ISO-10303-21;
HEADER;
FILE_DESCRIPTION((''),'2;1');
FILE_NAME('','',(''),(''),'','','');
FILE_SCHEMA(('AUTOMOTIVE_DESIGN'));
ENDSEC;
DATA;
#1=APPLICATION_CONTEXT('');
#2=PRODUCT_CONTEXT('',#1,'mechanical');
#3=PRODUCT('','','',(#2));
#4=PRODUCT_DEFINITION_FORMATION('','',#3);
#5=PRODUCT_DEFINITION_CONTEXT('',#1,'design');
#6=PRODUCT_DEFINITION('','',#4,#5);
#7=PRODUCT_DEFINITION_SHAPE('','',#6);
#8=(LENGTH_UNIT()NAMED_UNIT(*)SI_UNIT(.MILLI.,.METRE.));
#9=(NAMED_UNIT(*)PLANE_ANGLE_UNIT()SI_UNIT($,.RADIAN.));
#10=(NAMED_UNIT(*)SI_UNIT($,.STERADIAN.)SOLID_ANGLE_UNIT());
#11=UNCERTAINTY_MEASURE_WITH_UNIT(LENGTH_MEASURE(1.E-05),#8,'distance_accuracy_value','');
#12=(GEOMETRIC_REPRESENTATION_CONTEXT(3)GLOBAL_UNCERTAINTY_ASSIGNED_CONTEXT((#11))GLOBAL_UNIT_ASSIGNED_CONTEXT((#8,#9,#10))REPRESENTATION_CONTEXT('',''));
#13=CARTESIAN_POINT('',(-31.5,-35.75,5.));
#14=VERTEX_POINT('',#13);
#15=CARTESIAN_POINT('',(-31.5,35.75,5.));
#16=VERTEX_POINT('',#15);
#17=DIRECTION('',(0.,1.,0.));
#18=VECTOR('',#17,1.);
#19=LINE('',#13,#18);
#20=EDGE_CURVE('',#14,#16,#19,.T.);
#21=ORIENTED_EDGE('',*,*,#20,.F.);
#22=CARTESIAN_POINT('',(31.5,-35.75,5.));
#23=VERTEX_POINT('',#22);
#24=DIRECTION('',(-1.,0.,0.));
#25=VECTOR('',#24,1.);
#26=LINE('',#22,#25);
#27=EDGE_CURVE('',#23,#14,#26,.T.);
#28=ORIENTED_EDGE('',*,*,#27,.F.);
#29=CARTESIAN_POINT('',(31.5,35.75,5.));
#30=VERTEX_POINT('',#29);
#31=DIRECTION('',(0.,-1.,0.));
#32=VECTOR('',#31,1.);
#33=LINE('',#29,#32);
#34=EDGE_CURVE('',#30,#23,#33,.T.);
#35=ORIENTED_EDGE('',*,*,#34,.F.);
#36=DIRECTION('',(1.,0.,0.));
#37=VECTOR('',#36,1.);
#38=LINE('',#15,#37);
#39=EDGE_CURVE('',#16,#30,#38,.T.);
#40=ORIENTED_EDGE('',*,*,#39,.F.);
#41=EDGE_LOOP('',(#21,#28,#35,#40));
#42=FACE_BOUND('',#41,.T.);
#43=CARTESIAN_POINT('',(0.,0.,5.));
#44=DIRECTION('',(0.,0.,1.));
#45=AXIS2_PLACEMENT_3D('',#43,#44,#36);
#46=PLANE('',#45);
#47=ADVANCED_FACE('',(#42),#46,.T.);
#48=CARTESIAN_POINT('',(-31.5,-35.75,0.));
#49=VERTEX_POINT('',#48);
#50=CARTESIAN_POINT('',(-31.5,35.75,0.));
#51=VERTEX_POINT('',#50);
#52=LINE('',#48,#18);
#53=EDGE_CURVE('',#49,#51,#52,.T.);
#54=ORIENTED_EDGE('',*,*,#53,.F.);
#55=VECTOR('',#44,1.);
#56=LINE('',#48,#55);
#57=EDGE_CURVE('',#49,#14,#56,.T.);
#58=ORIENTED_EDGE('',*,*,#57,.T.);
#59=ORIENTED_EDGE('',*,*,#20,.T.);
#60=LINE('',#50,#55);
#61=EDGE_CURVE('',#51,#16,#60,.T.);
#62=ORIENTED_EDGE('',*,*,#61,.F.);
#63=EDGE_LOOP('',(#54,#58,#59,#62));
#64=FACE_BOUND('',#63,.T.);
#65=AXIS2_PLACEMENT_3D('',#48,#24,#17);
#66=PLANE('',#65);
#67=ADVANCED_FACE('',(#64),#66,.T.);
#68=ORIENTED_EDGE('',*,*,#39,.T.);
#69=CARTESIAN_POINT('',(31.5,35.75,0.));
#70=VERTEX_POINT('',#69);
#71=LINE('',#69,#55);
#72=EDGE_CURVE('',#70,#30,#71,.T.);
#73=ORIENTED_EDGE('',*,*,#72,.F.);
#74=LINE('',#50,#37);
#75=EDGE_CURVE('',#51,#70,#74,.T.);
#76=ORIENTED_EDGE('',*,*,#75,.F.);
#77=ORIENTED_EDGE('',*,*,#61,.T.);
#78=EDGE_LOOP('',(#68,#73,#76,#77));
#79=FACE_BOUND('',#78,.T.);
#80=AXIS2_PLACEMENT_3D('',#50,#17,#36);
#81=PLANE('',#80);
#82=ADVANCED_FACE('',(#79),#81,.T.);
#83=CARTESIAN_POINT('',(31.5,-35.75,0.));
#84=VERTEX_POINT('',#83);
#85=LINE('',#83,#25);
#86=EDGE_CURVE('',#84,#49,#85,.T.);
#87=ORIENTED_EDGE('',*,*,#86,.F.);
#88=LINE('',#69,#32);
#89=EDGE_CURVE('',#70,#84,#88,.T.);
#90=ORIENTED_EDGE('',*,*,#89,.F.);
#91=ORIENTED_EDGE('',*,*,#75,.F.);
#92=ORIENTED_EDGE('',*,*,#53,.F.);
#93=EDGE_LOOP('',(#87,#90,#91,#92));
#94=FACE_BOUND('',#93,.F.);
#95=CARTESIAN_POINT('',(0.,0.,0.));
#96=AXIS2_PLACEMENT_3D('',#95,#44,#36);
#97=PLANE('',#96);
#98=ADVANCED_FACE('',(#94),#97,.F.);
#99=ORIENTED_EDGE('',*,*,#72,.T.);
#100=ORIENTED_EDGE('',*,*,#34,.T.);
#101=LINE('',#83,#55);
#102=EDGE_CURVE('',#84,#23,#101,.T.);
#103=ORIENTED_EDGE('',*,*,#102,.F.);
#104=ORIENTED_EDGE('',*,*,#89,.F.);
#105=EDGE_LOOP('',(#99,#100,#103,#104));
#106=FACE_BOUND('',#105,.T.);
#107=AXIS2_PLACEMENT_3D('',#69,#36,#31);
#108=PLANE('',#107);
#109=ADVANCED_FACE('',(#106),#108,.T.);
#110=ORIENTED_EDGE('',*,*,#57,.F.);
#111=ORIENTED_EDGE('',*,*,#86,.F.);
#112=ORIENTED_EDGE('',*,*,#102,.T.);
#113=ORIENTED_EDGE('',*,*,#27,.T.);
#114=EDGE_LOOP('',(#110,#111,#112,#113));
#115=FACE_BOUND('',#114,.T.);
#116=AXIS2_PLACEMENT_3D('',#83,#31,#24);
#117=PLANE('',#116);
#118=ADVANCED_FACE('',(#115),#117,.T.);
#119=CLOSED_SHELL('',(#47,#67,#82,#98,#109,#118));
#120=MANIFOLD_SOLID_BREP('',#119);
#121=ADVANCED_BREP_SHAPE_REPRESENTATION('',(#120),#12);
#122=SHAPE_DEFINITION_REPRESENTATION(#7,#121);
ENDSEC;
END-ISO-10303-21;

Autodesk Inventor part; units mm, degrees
ref_plane "YZ Plane" through (0, 0, 0) normal (1, 0, 0) x (0, 1, 0)
ref_plane "XZ Plane" through (0, 0, 0) normal (0, 1, 0) x (-1, 0, 0)
ref_plane "XY Plane" through (0, 0, 0) normal (0, 0, 1) x (1, 0, 0)
sketch "草图1" plane through (0, 0, 0) normal (0, 0, 1) x (1, 0, 0)
  line L0 (31.5, -35.75) -> (-31.5, -35.75)
  line L1 (-31.5, -35.75) -> (-31.5, 35.75)
  line L2 (-31.5, 35.75) -> (31.5, 35.75)
  line L3 (31.5, 35.75) -> (31.5, -35.75)
  line L4 (31.5, -35.75) -> (-31.5, 35.75) construction
  line L5 (-31.5, -35.75) -> (31.5, 35.75) construction
  point P0 (0, 0)
  dimension "d0" = 63
  dimension "d1" = 71.5
extrude "拉伸1" add sketch "草图1" along normal blind 5
properties part number "大电池包裹"
